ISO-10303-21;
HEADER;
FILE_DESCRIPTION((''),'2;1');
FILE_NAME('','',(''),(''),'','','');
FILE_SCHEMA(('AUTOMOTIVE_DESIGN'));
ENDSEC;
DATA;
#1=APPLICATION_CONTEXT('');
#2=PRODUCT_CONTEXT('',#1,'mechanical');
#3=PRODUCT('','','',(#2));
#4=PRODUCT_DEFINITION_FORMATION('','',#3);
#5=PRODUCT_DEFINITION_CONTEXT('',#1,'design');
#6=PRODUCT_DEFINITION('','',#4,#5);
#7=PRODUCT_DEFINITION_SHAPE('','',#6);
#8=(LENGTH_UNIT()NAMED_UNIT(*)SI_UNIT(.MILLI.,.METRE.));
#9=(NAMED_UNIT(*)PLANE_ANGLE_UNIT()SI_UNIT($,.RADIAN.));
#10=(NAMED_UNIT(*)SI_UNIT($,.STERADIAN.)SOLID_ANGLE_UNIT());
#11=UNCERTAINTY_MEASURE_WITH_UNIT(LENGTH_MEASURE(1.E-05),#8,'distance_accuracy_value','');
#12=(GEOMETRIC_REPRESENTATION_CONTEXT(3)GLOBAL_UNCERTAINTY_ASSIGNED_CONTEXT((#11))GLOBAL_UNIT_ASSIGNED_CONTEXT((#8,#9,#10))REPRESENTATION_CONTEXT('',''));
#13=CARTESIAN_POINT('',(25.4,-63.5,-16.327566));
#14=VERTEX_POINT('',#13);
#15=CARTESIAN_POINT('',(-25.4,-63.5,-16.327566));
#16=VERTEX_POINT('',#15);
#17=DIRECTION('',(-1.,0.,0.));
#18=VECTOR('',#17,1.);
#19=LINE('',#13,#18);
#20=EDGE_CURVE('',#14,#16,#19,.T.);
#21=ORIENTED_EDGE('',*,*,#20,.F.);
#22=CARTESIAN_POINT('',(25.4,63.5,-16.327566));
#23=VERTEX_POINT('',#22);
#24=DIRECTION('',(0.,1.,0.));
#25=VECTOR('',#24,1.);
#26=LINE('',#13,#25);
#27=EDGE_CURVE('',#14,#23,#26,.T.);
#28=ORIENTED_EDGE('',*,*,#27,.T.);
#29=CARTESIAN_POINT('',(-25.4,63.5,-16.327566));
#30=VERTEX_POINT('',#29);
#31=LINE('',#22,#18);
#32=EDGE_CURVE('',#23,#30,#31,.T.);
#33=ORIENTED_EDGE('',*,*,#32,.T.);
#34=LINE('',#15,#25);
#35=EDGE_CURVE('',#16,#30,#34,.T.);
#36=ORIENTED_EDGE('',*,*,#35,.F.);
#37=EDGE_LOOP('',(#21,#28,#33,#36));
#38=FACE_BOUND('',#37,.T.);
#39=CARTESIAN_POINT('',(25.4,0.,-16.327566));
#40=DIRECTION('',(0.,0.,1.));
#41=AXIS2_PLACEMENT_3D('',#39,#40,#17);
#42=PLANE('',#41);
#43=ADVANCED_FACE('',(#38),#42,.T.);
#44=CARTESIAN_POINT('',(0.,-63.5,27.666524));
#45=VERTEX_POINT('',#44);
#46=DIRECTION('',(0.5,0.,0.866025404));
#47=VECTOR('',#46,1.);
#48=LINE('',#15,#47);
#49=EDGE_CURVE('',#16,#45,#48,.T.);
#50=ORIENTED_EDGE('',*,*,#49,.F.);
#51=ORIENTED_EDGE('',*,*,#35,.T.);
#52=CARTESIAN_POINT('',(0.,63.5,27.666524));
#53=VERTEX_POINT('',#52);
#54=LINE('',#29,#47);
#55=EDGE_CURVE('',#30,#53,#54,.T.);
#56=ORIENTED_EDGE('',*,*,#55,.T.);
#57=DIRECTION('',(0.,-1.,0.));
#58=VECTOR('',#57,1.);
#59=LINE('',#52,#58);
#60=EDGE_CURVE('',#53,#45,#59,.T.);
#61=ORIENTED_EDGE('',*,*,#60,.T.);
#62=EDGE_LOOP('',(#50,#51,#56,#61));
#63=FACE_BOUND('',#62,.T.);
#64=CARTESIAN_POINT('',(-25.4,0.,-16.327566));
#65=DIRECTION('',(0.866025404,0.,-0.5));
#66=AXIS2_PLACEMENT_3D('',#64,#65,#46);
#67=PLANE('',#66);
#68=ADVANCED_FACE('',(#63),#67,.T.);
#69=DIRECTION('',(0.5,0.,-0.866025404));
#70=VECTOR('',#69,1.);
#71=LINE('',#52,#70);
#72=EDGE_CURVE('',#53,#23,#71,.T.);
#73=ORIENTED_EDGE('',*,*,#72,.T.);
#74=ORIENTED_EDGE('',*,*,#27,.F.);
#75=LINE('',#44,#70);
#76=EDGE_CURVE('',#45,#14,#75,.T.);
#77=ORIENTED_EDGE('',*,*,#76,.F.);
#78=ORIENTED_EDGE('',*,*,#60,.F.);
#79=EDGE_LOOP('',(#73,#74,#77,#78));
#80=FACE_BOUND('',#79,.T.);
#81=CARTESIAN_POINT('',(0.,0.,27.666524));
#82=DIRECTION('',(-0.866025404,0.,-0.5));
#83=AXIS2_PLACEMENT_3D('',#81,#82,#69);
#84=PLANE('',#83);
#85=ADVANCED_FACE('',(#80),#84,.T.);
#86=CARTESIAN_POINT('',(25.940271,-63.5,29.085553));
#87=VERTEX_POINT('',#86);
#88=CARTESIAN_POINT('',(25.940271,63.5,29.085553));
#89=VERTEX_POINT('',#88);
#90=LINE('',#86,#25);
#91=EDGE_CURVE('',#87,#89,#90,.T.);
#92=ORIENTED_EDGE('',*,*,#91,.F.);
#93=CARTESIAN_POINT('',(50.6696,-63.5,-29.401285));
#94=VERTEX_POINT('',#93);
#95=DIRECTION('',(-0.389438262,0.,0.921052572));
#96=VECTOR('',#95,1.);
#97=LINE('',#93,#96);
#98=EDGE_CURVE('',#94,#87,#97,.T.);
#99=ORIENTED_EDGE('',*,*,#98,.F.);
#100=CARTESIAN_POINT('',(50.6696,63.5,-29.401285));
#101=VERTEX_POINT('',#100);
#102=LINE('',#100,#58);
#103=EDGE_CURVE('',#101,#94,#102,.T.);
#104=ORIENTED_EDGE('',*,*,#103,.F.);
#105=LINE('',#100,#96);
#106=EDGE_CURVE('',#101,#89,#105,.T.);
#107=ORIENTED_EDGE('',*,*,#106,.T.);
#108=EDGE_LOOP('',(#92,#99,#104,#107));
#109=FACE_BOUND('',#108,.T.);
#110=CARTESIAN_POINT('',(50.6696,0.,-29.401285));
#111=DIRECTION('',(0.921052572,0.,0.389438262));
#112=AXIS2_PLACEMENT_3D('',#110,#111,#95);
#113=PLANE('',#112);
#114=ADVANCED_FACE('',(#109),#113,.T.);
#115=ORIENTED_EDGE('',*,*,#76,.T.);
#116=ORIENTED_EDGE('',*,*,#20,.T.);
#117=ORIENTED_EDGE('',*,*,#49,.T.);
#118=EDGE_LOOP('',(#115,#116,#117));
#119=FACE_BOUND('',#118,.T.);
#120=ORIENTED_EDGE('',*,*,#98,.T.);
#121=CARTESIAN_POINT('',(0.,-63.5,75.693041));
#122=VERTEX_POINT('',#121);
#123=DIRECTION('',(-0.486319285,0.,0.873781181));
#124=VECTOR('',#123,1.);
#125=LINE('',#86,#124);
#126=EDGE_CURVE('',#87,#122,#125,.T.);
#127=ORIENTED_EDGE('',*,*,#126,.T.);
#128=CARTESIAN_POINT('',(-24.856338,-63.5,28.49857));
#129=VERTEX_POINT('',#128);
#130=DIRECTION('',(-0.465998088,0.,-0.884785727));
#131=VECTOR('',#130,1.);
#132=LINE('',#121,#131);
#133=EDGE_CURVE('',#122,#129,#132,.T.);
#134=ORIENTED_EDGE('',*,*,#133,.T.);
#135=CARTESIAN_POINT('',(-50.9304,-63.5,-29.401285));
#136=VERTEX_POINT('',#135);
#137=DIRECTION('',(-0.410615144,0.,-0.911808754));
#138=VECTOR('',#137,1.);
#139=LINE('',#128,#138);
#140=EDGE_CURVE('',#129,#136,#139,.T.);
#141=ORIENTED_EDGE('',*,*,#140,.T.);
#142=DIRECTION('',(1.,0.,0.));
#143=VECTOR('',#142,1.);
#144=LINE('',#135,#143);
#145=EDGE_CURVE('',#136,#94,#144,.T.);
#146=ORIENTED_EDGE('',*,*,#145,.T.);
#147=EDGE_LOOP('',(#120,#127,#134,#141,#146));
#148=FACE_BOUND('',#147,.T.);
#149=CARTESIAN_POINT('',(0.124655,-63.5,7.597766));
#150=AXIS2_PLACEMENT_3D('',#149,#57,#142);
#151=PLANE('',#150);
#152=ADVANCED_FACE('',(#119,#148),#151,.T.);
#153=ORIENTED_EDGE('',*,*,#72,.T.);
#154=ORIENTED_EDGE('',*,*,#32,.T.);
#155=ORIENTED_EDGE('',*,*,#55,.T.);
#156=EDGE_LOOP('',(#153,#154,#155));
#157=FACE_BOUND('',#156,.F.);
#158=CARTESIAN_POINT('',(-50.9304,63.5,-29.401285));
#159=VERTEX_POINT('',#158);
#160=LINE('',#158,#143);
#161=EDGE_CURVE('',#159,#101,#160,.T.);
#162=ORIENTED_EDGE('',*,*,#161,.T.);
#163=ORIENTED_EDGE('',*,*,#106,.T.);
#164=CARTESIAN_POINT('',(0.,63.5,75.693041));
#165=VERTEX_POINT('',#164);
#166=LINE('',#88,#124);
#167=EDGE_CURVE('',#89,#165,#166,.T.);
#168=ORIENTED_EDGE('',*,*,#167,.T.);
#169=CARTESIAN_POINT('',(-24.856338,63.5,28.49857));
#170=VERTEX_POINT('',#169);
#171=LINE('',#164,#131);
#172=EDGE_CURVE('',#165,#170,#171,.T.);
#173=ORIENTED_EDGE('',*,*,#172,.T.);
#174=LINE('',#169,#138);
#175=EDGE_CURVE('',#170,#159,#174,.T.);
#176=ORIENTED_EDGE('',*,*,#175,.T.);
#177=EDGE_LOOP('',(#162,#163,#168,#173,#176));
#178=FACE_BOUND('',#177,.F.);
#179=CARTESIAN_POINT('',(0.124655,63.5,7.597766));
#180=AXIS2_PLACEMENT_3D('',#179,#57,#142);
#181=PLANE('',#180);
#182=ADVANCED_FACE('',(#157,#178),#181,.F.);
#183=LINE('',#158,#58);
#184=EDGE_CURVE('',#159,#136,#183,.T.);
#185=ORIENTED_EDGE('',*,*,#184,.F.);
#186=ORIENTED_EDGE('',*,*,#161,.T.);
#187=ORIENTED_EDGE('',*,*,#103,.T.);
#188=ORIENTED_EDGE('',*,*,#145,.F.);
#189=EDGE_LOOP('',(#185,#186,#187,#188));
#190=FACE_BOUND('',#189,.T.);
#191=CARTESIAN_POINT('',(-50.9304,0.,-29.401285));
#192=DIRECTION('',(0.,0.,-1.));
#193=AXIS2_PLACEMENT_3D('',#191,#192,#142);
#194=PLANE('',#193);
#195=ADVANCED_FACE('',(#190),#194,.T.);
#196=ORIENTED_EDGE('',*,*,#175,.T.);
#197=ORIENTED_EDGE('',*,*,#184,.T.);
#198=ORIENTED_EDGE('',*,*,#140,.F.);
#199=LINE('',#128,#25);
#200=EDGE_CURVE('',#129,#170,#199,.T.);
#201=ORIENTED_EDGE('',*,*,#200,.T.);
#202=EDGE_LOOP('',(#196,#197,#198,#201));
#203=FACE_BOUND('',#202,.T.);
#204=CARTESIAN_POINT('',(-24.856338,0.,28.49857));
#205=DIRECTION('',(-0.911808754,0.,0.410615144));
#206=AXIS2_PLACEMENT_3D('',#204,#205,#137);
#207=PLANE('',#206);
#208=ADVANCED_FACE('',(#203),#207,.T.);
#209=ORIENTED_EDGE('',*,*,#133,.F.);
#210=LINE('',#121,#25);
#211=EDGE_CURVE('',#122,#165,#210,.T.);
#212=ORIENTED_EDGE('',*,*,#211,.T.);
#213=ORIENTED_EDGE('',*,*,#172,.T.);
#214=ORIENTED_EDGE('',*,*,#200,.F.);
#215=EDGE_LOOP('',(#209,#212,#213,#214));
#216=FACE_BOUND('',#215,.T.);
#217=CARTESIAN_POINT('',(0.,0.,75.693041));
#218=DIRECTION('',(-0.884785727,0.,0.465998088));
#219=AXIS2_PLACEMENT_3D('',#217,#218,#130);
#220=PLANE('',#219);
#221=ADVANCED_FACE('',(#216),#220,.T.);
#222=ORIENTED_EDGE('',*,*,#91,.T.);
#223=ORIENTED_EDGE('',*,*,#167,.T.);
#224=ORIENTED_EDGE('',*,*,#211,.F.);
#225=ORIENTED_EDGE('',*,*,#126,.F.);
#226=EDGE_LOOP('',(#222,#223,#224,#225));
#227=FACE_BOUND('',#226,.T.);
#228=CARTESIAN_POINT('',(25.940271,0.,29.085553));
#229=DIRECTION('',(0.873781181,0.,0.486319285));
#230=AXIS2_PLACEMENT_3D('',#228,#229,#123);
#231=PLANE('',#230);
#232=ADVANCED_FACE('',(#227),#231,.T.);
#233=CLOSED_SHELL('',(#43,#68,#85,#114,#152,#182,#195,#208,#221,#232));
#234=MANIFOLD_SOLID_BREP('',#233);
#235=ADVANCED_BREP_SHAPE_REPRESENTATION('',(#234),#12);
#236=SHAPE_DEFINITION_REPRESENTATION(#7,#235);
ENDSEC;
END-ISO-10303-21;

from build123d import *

# Parameters (mm, degrees)
F1_DEPTH = 63.5


with BuildPart() as f1:
    # F0 (on Front) → F1 (new body, symmetric)
    with BuildSketch(Plane.XZ):
        Polygon((-24.8563379985, 28.4985704217), (-50.9303996729, -29.4012854313), (50.6696003271, -29.4012854313), (25.9402706639, 29.0855528694), (0, 75.6930410862), align=None)
        Polygon((0, 27.6665240526), (25.4, -16.3275664596), (-25.4, -16.3275664596), align=None, mode=Mode.SUBTRACT)
    extrude(amount=F1_DEPTH, both=True)


solid = f1.part
